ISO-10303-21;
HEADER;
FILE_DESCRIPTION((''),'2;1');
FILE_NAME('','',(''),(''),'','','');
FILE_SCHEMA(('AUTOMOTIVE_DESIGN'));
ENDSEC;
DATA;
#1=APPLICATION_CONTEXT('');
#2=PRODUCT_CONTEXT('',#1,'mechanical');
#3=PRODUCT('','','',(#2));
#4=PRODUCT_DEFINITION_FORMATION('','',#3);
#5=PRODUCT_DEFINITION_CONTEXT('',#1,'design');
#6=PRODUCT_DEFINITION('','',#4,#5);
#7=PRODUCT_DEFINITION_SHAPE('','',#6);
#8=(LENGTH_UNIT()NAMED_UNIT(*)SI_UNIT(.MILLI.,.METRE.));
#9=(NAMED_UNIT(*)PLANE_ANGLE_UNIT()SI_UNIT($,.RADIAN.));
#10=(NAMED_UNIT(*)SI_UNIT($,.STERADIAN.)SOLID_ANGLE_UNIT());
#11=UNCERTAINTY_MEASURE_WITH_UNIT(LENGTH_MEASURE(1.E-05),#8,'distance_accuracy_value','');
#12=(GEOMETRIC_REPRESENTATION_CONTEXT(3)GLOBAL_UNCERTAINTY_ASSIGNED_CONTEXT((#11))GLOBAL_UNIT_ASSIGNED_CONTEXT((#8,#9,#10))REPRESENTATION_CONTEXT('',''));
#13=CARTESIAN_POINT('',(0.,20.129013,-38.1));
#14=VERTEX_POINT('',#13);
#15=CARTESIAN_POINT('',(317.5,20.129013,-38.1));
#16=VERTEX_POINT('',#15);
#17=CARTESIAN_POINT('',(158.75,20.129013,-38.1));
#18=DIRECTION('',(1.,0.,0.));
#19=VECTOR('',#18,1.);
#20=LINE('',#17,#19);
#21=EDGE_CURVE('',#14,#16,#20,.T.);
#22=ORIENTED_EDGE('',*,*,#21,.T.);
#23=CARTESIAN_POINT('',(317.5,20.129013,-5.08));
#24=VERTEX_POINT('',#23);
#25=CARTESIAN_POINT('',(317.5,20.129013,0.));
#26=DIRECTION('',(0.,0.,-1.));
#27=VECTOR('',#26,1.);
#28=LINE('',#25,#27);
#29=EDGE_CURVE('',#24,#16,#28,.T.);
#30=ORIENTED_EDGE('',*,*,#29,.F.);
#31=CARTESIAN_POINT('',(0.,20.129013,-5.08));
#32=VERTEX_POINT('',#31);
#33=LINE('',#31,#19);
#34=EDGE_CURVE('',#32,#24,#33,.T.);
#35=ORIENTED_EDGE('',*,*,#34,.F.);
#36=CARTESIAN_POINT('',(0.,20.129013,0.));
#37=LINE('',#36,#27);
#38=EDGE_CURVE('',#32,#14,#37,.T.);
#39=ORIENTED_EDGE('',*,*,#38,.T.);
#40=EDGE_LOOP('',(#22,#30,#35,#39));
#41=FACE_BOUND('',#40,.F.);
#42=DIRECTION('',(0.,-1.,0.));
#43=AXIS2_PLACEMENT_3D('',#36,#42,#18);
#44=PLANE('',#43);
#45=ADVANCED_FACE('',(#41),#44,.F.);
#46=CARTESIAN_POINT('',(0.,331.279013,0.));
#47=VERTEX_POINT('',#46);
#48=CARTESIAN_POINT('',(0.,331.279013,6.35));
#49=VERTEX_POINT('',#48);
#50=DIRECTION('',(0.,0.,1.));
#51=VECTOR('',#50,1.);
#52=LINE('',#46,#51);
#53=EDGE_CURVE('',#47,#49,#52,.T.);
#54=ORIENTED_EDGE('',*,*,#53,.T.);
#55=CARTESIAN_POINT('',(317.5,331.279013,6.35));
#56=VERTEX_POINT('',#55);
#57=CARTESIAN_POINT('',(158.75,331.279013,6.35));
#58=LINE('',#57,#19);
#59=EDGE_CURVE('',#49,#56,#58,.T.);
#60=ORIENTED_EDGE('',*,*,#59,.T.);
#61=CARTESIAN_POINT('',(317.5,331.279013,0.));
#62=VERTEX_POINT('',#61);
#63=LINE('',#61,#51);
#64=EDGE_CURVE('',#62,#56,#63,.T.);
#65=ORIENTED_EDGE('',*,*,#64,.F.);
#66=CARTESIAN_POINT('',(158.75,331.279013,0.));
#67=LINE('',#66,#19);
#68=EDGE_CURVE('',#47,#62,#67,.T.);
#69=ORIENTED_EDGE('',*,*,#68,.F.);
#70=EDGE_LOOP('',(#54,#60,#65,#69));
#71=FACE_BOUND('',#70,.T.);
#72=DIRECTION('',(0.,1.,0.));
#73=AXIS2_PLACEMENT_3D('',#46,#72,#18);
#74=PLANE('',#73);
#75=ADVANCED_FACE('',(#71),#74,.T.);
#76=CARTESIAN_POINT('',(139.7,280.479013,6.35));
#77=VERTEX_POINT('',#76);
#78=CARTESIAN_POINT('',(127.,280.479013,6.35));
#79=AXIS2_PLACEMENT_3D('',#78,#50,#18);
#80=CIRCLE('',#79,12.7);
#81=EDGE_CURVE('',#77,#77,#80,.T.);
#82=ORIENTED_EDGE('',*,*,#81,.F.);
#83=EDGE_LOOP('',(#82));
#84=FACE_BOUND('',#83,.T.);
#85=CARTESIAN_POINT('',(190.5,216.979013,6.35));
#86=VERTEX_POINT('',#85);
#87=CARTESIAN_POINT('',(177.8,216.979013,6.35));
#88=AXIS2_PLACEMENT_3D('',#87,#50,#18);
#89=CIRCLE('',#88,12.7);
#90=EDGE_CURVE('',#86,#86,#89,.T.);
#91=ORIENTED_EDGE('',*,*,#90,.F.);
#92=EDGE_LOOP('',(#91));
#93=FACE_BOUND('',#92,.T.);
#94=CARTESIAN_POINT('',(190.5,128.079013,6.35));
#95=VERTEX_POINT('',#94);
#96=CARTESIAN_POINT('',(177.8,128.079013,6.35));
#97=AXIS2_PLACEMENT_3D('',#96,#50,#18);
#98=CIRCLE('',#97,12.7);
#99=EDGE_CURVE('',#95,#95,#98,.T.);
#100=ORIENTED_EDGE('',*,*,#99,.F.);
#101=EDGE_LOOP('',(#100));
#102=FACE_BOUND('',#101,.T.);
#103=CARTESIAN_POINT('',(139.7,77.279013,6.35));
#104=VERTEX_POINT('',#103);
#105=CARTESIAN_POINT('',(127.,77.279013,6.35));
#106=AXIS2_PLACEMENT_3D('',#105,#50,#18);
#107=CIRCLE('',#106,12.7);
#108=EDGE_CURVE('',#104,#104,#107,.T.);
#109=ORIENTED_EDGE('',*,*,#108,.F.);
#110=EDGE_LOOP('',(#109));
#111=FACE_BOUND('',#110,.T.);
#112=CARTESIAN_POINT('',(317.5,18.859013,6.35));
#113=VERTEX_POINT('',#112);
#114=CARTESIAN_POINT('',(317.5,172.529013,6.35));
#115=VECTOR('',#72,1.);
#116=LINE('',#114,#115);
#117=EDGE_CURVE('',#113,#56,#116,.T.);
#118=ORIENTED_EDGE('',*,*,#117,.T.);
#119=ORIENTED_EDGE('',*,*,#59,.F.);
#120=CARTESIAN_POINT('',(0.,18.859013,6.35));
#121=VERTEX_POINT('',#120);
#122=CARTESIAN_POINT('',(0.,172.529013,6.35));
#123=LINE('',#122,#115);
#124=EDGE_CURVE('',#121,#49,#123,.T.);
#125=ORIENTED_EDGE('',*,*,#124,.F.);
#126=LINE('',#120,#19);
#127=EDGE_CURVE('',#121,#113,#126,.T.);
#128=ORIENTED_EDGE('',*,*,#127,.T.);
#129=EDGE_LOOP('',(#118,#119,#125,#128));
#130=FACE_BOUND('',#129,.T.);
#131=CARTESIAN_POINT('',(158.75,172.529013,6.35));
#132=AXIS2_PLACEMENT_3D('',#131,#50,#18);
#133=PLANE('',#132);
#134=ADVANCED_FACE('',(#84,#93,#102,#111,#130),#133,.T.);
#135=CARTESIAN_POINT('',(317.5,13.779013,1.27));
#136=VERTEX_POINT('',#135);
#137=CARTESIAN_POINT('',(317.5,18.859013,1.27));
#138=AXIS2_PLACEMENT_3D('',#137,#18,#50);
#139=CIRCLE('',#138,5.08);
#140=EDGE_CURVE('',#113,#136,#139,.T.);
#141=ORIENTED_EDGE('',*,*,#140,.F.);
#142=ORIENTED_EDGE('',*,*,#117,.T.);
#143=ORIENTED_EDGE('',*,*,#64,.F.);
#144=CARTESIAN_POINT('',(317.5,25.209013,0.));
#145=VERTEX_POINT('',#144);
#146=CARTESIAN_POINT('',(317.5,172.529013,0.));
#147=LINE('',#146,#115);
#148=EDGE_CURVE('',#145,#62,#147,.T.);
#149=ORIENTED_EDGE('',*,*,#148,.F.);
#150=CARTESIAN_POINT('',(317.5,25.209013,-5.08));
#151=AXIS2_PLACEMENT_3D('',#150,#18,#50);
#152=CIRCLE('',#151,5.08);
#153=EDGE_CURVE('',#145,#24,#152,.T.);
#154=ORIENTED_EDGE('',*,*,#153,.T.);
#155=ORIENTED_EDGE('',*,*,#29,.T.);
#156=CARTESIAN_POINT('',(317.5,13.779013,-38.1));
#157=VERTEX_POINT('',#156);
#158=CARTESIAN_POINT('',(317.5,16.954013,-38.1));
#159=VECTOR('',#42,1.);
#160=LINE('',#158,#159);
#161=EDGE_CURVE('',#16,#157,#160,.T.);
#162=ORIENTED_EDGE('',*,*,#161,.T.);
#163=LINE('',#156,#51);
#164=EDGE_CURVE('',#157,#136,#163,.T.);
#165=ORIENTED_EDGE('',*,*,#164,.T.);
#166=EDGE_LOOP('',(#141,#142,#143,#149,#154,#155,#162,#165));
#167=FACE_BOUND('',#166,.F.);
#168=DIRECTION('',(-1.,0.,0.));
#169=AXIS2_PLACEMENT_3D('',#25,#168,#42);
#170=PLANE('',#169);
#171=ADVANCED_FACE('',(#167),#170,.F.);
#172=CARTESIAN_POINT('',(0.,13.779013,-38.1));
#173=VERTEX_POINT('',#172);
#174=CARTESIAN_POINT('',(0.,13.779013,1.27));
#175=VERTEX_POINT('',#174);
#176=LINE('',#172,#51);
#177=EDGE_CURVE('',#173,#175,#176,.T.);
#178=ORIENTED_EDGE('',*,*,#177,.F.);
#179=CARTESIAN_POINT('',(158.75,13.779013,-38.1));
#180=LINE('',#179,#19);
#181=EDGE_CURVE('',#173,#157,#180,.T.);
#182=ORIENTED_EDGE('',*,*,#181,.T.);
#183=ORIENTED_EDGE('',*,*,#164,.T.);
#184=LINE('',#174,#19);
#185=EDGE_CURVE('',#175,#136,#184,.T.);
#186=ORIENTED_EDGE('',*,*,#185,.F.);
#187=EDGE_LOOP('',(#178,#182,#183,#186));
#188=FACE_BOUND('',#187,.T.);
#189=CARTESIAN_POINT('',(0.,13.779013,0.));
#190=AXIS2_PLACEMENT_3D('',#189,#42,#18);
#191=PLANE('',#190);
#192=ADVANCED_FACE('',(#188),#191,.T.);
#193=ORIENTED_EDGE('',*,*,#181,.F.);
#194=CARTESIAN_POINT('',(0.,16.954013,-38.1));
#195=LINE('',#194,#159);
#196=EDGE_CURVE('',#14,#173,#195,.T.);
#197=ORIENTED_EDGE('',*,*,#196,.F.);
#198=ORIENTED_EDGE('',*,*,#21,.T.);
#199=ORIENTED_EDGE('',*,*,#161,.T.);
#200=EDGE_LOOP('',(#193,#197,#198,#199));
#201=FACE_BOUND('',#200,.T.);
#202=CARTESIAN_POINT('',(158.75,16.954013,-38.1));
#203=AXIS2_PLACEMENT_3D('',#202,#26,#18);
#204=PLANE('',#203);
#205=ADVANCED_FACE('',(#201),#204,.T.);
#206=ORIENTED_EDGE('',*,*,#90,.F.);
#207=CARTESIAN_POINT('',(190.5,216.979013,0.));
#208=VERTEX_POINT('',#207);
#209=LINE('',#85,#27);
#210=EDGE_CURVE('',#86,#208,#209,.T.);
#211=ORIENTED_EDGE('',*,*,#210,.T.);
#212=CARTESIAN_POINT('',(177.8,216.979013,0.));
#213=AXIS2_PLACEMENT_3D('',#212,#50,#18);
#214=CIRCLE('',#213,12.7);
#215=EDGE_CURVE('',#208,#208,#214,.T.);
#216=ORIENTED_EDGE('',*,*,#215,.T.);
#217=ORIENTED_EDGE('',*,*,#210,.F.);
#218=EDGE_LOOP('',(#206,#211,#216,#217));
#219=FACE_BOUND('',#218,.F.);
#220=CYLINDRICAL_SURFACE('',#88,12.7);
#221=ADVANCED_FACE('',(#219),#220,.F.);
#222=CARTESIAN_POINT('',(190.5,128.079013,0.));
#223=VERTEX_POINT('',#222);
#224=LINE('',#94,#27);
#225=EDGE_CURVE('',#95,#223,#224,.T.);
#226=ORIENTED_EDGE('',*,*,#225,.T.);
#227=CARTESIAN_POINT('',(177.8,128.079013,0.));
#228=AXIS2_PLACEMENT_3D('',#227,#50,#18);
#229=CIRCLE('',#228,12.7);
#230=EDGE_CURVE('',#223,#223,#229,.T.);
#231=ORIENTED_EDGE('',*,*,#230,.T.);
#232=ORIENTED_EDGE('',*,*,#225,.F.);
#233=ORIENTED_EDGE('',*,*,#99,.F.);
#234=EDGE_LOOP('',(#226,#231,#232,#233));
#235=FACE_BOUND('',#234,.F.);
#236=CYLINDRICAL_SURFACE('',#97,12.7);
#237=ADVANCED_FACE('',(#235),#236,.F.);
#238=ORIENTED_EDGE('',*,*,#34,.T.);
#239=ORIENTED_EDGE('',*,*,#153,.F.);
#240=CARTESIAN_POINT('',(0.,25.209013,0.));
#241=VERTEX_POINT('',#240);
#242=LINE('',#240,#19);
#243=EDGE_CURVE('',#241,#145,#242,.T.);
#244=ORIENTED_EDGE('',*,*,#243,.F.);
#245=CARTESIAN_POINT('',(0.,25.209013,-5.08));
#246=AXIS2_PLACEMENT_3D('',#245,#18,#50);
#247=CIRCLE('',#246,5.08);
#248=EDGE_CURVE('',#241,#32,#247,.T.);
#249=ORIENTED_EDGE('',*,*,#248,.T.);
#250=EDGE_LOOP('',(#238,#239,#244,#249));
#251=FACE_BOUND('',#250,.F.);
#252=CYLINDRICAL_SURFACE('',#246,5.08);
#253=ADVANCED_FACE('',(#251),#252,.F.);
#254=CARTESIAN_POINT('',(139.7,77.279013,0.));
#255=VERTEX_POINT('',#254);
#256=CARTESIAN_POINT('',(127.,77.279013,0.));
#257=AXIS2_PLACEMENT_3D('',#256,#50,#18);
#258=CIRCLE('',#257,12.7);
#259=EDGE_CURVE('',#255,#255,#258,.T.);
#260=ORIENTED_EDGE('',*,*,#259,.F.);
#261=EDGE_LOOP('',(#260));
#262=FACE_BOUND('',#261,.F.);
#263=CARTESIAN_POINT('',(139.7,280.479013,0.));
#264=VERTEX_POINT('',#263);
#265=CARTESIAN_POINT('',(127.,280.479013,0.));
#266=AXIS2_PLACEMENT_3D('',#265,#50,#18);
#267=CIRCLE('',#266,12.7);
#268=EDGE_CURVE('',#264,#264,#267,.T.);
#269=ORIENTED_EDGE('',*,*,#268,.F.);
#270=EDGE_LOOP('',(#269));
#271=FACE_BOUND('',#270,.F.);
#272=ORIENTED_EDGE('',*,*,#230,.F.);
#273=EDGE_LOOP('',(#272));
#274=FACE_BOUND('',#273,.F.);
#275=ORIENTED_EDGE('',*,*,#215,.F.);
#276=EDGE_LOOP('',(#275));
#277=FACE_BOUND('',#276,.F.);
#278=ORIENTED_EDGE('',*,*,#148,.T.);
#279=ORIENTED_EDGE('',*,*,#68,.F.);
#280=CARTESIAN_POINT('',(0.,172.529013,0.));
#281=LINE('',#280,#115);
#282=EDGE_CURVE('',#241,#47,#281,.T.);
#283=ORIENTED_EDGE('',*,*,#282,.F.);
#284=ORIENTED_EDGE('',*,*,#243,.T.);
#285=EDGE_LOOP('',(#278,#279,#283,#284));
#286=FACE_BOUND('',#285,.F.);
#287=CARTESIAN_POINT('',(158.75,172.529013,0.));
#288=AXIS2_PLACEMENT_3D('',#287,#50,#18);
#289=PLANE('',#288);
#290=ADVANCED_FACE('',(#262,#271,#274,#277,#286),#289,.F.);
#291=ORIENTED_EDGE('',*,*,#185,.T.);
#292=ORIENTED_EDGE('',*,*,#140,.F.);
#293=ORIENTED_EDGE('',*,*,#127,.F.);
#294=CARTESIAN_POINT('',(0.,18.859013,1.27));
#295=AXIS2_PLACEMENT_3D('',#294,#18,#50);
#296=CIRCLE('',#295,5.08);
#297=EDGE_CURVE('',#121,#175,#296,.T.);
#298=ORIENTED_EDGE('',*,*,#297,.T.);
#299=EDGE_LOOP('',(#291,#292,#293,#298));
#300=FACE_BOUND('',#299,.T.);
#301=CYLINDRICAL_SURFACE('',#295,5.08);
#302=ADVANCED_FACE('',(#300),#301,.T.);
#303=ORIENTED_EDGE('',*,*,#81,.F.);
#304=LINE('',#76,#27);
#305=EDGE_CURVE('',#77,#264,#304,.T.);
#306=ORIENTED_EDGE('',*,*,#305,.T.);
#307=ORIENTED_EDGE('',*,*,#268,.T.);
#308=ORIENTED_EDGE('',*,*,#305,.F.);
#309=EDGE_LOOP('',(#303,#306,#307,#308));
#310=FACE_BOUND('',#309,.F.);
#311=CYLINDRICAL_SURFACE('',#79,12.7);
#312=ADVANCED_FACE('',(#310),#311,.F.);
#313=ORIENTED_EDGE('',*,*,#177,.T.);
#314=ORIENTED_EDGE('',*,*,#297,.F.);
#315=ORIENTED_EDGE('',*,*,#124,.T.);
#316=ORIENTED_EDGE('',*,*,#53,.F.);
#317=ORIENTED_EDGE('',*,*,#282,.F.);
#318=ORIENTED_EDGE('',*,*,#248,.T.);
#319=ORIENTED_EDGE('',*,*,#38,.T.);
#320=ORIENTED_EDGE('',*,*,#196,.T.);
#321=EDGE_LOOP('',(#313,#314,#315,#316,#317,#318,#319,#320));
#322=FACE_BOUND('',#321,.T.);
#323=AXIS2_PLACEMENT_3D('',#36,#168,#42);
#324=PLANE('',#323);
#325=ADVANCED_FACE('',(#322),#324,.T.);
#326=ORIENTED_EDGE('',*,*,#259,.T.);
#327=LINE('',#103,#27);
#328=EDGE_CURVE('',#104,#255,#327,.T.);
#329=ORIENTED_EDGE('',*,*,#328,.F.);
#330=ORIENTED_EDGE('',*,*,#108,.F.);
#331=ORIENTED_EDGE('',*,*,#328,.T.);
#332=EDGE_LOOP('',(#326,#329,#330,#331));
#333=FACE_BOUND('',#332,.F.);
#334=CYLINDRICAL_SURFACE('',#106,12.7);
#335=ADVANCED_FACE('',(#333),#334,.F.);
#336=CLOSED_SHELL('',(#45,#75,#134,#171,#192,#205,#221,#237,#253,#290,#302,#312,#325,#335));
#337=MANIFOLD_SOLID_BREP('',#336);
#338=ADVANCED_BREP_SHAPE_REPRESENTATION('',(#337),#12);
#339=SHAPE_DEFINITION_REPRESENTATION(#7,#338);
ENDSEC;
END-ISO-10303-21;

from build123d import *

# Parameters (mm, degrees)
F0_W     = 317.5
F0_H     = 317.5
F1_DEPTH = 6.35
F2_W     = 317.5
F2_H     = 6.35
F3_DEPTH = 38.1
F4_R     = 5.08
F5_R     = 12.7
F6_DEPTH = 25.4


with BuildPart() as f1:
    # F0 (on Top) → F1 (new body)
    with BuildSketch(Plane.XY):
        with Locations((158.75, 172.529013)):
            Rectangle(F0_W, F0_H)
    extrude(amount=F1_DEPTH)

    # F2 (on face) → F3 (join)
    with BuildSketch(Plane(origin=(0, 0, 0), x_dir=(1, 0, 0), z_dir=(0, 0, -1))):
        with Locations((158.75, -16.954013)):
            Rectangle(F2_W, F2_H)
    extrude(amount=F3_DEPTH)

    # F4
    f4_edges = [f1.edges().sort_by_distance(p)[0] for p in [
        (158.75, 13.779013, 6.35),
        (158.75, 20.129013, 0),
    ]]
    fillet(f4_edges, radius=F4_R)

    # F5 (on face) → F6 (cut)
    with BuildSketch(Plane.XY.offset(6.35)):
        with Locations((127, 77.279013)):
            Circle(F5_R)
        with Locations((177.8, 128.079013)):
            Circle(F5_R)
        with Locations((177.8, 216.979013)):
            Circle(F5_R)
        with Locations((127, 280.479013)):
            Circle(F5_R)
    extrude(amount=-F6_DEPTH, mode=Mode.SUBTRACT)


solid = f1.part
